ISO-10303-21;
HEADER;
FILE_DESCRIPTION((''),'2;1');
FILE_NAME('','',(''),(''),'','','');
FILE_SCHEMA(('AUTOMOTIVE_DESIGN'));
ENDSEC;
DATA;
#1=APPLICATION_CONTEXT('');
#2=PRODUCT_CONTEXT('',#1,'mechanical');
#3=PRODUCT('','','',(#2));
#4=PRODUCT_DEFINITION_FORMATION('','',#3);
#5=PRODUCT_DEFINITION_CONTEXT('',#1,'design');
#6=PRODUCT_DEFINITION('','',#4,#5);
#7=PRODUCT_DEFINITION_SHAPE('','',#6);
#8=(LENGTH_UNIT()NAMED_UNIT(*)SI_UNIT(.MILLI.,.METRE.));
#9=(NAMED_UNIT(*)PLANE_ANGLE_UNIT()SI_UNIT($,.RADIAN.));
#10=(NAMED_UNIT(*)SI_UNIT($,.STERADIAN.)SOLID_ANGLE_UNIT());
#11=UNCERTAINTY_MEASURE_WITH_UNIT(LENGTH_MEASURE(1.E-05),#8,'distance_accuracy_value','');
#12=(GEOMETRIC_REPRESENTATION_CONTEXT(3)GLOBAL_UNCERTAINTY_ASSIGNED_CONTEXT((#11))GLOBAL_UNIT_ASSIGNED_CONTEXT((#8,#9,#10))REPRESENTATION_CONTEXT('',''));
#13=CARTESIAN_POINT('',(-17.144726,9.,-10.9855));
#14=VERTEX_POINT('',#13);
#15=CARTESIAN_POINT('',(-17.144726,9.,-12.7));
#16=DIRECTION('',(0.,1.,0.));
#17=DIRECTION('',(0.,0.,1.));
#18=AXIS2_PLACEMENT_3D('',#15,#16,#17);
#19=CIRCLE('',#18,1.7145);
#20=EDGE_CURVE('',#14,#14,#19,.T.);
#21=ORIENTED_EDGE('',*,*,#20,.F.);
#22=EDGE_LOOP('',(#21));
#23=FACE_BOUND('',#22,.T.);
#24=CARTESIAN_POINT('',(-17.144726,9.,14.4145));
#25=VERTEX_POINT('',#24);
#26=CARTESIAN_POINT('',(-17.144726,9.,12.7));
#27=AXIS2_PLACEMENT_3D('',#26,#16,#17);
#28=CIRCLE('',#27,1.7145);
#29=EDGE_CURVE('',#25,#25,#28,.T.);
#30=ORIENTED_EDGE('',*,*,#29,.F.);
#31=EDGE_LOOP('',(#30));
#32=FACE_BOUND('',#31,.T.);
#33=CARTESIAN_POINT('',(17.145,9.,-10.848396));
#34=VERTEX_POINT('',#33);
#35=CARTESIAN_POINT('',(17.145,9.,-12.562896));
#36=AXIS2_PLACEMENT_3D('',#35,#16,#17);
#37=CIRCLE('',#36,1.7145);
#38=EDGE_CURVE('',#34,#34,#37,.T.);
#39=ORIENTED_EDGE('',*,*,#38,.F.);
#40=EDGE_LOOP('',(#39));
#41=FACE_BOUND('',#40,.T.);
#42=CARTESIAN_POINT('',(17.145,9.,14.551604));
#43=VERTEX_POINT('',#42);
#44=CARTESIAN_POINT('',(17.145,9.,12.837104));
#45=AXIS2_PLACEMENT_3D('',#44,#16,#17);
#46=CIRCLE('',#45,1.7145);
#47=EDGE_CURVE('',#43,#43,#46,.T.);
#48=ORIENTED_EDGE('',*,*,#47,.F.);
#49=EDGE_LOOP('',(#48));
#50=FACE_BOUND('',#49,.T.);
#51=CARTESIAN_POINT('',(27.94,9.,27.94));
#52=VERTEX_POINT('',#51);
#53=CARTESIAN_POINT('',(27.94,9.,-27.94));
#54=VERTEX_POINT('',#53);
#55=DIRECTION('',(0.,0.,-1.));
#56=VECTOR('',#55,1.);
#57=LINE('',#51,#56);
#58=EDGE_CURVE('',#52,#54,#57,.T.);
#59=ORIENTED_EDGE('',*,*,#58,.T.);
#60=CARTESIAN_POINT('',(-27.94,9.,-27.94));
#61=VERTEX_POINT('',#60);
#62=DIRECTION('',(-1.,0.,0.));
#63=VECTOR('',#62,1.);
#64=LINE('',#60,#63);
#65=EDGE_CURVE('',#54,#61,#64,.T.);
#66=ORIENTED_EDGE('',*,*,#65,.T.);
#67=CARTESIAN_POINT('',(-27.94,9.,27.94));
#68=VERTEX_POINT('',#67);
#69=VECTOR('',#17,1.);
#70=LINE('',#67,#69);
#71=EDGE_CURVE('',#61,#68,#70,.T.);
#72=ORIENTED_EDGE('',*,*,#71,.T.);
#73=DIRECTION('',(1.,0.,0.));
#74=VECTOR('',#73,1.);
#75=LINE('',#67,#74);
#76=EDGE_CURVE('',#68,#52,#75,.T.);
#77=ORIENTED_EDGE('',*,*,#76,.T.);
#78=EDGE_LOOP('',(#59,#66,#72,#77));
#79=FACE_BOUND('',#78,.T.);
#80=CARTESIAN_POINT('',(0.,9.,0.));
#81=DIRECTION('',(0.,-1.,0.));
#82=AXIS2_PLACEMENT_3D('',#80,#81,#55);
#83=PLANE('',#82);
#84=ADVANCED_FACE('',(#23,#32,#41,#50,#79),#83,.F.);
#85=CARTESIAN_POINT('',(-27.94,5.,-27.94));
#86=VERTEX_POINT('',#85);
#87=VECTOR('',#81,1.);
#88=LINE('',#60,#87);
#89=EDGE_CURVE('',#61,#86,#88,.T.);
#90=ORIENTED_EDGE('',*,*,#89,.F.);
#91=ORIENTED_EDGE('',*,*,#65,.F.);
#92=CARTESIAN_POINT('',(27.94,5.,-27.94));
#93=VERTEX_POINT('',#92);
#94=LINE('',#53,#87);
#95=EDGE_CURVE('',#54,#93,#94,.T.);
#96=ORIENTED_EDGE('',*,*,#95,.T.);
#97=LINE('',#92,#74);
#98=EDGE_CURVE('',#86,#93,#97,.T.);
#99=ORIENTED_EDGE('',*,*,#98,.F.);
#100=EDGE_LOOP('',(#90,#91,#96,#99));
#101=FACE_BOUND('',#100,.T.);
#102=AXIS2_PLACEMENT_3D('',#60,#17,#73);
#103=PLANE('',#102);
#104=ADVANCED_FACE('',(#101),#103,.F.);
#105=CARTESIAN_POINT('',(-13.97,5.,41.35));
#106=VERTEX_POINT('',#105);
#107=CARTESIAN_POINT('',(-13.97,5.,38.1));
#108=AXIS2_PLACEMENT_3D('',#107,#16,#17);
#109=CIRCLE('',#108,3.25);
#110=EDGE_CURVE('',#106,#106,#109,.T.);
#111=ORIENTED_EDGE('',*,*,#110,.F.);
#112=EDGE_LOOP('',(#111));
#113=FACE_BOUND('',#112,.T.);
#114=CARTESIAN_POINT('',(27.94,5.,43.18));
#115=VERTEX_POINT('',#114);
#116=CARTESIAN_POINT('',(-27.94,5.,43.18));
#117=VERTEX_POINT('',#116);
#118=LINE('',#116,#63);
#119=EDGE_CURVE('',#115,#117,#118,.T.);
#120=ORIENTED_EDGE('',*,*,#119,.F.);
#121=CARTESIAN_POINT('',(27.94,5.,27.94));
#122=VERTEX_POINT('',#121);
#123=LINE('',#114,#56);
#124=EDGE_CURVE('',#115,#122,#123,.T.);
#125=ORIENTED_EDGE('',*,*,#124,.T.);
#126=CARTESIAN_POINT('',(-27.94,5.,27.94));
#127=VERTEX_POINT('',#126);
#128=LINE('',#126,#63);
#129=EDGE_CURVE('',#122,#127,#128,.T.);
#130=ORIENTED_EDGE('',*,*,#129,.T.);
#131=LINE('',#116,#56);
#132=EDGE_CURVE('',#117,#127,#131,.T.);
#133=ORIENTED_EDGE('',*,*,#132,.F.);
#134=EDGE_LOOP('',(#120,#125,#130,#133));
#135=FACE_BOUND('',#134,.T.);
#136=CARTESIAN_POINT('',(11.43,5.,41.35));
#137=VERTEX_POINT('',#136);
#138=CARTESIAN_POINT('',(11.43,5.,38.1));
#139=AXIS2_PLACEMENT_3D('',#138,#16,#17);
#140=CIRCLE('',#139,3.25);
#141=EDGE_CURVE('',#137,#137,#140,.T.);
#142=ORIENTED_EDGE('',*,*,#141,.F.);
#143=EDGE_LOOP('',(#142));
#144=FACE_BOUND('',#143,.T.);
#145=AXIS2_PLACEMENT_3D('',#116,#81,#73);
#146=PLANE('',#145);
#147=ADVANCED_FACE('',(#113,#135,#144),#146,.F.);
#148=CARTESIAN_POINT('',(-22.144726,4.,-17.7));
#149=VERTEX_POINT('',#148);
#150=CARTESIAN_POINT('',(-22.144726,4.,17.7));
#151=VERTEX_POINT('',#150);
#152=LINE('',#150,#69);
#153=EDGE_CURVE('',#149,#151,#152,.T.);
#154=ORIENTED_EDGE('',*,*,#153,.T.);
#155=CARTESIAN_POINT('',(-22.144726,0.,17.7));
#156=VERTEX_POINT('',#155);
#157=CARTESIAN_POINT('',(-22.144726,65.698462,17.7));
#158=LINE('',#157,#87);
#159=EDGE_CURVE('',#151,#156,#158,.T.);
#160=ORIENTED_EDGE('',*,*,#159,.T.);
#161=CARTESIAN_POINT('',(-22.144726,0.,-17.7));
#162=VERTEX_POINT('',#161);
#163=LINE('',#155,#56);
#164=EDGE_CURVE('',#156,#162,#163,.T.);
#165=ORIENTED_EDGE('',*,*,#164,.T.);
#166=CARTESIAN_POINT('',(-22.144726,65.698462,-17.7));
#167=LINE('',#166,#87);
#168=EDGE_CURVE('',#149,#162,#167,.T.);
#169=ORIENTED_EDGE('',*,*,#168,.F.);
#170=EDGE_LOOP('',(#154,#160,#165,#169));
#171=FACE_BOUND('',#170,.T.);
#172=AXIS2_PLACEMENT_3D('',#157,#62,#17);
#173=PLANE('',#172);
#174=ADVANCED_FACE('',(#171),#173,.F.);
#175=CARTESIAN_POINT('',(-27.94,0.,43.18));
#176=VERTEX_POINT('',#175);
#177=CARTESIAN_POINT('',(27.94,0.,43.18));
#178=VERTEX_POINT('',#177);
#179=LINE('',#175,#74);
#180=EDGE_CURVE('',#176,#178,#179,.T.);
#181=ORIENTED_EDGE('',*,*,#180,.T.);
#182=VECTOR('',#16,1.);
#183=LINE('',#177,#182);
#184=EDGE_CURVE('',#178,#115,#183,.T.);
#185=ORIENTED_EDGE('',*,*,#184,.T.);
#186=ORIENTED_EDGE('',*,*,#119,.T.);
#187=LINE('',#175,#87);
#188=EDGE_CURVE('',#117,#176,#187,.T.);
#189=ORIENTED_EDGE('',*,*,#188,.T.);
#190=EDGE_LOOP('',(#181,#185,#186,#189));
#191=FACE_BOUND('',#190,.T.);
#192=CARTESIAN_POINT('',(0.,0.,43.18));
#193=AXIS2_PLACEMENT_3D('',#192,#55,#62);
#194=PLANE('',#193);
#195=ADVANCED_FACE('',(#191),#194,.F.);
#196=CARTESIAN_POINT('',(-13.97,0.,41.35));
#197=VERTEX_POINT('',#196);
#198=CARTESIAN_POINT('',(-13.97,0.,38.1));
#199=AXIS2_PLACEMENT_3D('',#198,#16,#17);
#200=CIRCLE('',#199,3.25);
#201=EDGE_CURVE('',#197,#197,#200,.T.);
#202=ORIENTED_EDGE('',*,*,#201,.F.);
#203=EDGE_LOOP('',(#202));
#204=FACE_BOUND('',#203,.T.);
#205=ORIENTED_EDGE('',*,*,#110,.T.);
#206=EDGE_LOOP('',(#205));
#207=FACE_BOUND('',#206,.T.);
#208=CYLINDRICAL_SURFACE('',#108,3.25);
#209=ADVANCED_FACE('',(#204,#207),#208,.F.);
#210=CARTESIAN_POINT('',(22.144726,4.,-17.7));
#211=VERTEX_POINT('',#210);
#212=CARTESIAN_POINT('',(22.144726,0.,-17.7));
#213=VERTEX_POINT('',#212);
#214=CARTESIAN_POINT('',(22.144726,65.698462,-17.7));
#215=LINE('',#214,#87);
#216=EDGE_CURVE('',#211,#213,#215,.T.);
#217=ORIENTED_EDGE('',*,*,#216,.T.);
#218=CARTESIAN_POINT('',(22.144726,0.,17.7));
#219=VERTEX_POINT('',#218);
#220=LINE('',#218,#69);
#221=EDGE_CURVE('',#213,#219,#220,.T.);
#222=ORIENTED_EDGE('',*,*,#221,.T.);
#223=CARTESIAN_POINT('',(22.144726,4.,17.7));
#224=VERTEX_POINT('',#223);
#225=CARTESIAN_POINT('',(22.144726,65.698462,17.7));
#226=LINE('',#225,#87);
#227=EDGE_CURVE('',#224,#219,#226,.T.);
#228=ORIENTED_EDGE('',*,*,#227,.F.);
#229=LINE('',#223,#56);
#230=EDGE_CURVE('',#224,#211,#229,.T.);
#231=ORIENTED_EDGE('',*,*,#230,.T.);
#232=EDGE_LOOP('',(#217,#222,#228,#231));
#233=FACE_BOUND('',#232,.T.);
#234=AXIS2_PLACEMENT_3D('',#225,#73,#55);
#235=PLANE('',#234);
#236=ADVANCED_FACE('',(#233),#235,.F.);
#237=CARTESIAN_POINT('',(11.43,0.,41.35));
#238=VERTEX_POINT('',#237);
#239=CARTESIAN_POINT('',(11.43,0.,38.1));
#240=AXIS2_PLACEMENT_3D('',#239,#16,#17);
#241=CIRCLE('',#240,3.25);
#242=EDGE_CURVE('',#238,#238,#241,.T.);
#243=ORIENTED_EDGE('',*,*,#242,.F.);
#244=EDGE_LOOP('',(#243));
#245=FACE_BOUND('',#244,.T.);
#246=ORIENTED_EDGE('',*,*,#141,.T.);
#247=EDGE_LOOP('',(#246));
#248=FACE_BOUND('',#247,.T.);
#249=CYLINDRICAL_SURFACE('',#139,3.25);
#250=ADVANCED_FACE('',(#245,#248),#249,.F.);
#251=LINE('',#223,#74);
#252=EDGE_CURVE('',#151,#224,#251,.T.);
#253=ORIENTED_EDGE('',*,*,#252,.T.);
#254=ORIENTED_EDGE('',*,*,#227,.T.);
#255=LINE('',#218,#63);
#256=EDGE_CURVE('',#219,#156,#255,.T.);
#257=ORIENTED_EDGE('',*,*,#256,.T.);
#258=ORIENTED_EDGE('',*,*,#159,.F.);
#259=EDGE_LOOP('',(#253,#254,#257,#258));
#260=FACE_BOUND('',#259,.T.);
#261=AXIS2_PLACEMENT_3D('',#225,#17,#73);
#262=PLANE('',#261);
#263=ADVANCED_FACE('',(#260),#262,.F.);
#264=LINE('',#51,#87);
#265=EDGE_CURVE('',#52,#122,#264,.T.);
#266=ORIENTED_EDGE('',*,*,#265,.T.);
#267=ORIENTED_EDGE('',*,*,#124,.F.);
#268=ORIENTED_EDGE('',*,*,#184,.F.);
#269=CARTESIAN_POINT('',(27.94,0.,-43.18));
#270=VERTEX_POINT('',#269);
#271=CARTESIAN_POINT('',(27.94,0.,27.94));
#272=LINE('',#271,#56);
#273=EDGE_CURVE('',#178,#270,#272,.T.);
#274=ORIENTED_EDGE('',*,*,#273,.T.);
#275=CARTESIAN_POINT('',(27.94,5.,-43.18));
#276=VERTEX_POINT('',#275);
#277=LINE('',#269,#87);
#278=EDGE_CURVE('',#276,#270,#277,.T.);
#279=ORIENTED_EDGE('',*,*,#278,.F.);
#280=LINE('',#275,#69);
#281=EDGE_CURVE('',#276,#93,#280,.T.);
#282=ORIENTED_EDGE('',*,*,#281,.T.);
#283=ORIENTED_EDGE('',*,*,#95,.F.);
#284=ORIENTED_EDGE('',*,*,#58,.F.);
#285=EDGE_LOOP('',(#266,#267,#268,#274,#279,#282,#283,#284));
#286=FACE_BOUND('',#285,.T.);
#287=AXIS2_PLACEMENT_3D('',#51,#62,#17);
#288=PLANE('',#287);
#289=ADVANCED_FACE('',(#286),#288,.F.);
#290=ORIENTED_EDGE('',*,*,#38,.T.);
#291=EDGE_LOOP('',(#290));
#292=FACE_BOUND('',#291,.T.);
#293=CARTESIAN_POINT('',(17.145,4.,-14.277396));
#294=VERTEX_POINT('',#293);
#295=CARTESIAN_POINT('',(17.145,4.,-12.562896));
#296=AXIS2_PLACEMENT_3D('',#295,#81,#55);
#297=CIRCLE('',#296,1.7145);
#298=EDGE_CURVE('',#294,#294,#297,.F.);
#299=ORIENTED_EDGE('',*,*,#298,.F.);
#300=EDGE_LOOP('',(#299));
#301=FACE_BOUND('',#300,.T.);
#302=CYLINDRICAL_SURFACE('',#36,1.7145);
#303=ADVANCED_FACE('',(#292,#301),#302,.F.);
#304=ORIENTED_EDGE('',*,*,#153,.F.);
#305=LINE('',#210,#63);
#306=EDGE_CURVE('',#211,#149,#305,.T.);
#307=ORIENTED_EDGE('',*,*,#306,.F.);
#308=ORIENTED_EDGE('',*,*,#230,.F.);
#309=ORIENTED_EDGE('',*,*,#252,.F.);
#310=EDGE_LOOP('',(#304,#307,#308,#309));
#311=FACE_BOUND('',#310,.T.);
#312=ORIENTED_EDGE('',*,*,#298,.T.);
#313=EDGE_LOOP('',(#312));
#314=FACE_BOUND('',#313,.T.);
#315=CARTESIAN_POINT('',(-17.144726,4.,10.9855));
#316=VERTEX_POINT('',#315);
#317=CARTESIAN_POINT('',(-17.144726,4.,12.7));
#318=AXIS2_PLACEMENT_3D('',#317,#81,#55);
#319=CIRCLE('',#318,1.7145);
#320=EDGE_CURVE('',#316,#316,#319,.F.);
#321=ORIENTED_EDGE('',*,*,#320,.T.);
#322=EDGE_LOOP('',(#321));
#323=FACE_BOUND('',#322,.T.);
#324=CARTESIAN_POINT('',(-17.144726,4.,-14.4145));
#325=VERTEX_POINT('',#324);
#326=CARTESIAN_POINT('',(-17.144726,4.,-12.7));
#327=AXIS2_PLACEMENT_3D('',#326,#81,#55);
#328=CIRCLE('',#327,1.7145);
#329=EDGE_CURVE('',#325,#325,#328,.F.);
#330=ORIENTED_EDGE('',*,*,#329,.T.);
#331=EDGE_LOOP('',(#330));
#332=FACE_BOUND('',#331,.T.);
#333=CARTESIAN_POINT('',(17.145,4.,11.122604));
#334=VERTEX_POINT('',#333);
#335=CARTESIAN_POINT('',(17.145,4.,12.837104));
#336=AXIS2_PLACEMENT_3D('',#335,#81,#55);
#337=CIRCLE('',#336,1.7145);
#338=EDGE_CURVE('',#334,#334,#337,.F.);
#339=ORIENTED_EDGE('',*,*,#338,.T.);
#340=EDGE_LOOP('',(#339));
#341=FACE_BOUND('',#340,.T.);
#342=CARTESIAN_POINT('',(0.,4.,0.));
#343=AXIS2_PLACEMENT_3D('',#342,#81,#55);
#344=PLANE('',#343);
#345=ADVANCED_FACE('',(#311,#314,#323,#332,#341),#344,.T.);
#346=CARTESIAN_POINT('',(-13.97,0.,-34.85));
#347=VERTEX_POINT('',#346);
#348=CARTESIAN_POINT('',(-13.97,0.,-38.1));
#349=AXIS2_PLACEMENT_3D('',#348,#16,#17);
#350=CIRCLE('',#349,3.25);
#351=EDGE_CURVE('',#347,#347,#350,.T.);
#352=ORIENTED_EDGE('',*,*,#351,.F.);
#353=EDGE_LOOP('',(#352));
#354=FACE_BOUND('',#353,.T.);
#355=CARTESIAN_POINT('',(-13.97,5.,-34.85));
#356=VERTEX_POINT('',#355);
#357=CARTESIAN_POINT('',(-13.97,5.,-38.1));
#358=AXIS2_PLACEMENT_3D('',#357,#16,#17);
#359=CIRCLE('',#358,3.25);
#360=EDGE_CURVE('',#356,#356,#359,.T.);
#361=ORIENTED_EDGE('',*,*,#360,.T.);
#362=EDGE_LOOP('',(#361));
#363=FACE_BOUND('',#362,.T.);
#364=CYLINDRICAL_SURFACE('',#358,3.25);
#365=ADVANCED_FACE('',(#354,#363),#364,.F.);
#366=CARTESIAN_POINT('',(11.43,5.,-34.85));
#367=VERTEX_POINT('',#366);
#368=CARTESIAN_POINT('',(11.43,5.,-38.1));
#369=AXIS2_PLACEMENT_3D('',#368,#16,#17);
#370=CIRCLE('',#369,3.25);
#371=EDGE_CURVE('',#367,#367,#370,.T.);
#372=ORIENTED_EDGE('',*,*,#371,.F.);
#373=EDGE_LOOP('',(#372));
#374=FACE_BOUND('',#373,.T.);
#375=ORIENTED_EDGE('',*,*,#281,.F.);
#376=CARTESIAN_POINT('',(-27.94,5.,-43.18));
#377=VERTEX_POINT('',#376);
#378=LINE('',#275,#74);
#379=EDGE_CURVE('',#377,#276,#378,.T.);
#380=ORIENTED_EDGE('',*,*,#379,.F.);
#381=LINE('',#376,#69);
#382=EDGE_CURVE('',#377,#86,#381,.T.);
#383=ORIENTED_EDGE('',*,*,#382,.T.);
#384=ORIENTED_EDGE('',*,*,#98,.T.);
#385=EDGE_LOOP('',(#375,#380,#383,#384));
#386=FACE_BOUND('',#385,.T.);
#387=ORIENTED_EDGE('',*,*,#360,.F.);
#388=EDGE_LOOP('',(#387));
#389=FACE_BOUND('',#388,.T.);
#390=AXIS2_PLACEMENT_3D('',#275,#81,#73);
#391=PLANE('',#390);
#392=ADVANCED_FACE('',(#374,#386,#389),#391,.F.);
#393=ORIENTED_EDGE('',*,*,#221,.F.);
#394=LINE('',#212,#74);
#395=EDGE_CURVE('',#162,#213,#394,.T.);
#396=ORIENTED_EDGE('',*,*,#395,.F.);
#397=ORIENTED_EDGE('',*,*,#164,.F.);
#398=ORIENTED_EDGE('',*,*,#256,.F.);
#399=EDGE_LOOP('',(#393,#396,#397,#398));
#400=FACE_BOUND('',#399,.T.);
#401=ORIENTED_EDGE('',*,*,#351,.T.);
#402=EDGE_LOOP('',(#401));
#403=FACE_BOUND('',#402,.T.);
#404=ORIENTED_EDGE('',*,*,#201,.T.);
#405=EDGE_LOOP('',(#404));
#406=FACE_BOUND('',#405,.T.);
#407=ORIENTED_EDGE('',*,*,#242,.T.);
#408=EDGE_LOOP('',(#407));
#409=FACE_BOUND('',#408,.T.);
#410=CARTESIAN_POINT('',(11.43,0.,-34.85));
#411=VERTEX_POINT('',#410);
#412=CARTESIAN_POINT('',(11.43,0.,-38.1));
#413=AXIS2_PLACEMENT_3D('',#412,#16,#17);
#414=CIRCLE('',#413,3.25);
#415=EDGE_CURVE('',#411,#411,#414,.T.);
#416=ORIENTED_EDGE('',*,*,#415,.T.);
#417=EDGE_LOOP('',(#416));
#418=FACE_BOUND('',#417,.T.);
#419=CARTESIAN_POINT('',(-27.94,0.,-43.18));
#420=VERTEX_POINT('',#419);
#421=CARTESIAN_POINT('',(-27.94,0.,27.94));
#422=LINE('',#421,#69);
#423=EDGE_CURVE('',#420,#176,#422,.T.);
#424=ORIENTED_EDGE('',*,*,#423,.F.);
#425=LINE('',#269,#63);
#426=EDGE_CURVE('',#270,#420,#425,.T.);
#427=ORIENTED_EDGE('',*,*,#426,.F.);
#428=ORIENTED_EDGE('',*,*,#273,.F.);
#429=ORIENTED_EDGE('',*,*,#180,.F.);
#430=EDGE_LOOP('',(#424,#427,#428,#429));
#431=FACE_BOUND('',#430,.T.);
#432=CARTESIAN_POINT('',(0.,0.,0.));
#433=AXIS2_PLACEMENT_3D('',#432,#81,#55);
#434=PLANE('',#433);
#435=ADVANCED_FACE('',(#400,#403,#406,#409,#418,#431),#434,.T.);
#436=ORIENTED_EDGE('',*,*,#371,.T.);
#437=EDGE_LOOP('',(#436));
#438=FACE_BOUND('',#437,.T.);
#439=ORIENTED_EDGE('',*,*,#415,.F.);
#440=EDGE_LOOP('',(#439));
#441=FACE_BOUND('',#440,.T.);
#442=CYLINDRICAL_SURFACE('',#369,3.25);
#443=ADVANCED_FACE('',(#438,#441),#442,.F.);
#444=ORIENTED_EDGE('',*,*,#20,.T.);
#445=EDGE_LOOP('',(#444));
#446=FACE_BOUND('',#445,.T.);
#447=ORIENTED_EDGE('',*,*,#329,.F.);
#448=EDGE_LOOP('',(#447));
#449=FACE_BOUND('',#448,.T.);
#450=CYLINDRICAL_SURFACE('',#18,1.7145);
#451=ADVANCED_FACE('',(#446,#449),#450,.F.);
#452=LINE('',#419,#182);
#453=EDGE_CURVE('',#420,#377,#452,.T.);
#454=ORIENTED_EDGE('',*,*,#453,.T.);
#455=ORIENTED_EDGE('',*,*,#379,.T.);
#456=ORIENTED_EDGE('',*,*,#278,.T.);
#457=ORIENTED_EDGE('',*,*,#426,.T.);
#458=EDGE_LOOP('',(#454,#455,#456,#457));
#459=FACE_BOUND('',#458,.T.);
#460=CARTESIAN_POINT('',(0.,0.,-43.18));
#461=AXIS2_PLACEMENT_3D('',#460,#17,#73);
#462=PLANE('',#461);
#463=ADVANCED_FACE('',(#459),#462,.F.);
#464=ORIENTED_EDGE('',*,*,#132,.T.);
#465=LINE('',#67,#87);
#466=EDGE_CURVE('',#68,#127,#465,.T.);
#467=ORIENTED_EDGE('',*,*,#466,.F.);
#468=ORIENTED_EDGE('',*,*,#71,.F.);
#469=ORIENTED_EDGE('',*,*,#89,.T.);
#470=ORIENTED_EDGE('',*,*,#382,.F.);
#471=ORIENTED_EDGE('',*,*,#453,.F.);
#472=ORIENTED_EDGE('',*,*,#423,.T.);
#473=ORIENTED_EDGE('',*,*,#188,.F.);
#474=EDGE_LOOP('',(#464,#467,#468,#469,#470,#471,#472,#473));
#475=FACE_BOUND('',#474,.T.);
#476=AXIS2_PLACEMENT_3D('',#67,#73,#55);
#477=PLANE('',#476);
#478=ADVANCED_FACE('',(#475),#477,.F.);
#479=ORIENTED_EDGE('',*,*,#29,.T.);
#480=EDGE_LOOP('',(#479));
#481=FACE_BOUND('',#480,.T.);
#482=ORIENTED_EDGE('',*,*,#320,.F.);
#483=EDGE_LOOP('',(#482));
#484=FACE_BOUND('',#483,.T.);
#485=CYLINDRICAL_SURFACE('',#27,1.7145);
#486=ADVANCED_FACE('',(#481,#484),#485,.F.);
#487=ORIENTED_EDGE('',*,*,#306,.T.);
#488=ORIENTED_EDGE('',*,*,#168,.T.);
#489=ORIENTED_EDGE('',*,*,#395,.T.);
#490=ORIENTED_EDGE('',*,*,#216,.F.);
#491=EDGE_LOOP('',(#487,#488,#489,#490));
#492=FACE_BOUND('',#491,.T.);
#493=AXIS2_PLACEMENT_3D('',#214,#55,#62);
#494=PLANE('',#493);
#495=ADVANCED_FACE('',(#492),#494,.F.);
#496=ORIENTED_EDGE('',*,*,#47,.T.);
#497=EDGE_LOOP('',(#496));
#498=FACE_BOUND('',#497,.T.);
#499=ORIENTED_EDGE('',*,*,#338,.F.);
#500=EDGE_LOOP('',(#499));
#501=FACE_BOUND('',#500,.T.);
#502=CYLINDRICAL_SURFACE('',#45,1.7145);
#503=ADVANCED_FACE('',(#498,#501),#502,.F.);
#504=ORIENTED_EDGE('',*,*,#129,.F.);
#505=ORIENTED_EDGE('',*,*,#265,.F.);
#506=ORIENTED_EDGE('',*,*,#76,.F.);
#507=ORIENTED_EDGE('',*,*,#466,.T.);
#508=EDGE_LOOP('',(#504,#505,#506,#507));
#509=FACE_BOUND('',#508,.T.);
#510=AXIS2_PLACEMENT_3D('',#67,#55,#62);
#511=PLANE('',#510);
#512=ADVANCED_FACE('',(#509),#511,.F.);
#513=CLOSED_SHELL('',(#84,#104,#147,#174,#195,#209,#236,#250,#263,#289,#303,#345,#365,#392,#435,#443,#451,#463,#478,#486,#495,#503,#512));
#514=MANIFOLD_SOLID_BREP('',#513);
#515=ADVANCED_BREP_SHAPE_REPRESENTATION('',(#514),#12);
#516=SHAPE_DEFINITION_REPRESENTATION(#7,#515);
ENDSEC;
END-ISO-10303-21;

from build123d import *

# Parameters (mm, degrees)
SKETCH1_W                          = 55.88
SKETCH1_H                          = 55.88
BOSS_EXTRUDE1_DEPTH                = 9
F_1_4_0_25_CLEARANCE_DOWEL_HOLE1_D = 3.429
SKETCH4_W                          = 44.289451808
SKETCH4_H                          = 35.4
CUT_EXTRUDE1_DEPTH                 = 4
SKETCH5_W                          = 55.88
SKETCH5_H                          = 5
BOSS_EXTRUDE2_DEPTH                = 15.24
SKETCH6_W                          = 55.88
SKETCH6_H                          = 5
BOSS_EXTRUDE3_DEPTH                = 15.24
F_1_4_0_25_CLEARANCE_DOWEL_HOLE2_D = 6.499999954


with BuildPart() as part:
    # Sketch1 → Boss-Extrude1 (new body)
    with BuildSketch(Plane(origin=(0, 0, 0), x_dir=(1, 0, 0), z_dir=(0, 1, 0))):
        Rectangle(SKETCH1_W, SKETCH1_H)
    extrude(amount=BOSS_EXTRUDE1_DEPTH)

    # 1/4 (0.25) Clearance Dowel Hole1 (through all)
    with Locations(Plane(origin=(0, 9, 0), x_dir=(1, 0, 0), z_dir=(0, 1, 0))):
        with Locations((-17.144725904, -12.7), (-17.144725904, 12.7), (17.145, -12.837103678), (17.145, 12.562896322)):
            Hole(F_1_4_0_25_CLEARANCE_DOWEL_HOLE1_D / 2)

    # Sketch4 → Cut-Extrude1 (cut)
    with BuildSketch(Plane.XZ):
        Rectangle(SKETCH4_W, SKETCH4_H)
    extrude(amount=-CUT_EXTRUDE1_DEPTH, mode=Mode.SUBTRACT)

    # Sketch5 → Boss-Extrude2 (add)
    with BuildSketch(Plane.XY.offset(27.94)):
        with Locations((0, 2.5)):
            Rectangle(SKETCH5_W, SKETCH5_H)
    extrude(amount=BOSS_EXTRUDE2_DEPTH)

    # Sketch6 → Boss-Extrude3 (add)
    with BuildSketch(Plane(origin=(0, 0, -27.94), x_dir=(-1, 0, 0), z_dir=(0, 0, -1))):
        with Locations((0, 2.5)):
            Rectangle(SKETCH6_W, SKETCH6_H)
    extrude(amount=BOSS_EXTRUDE3_DEPTH)

    # 1/4 (0.25) Clearance Dowel Hole2 (through all)
    with Locations(Plane(origin=(0, 5, 0), x_dir=(1, 0, 0), z_dir=(0, 1, 0))):
        with Locations((11.43, 38.1), (-13.97, 38.1), (-13.97, -38.1), (11.43, -38.1)):
            Hole(F_1_4_0_25_CLEARANCE_DOWEL_HOLE2_D / 2)


solid = part.part
